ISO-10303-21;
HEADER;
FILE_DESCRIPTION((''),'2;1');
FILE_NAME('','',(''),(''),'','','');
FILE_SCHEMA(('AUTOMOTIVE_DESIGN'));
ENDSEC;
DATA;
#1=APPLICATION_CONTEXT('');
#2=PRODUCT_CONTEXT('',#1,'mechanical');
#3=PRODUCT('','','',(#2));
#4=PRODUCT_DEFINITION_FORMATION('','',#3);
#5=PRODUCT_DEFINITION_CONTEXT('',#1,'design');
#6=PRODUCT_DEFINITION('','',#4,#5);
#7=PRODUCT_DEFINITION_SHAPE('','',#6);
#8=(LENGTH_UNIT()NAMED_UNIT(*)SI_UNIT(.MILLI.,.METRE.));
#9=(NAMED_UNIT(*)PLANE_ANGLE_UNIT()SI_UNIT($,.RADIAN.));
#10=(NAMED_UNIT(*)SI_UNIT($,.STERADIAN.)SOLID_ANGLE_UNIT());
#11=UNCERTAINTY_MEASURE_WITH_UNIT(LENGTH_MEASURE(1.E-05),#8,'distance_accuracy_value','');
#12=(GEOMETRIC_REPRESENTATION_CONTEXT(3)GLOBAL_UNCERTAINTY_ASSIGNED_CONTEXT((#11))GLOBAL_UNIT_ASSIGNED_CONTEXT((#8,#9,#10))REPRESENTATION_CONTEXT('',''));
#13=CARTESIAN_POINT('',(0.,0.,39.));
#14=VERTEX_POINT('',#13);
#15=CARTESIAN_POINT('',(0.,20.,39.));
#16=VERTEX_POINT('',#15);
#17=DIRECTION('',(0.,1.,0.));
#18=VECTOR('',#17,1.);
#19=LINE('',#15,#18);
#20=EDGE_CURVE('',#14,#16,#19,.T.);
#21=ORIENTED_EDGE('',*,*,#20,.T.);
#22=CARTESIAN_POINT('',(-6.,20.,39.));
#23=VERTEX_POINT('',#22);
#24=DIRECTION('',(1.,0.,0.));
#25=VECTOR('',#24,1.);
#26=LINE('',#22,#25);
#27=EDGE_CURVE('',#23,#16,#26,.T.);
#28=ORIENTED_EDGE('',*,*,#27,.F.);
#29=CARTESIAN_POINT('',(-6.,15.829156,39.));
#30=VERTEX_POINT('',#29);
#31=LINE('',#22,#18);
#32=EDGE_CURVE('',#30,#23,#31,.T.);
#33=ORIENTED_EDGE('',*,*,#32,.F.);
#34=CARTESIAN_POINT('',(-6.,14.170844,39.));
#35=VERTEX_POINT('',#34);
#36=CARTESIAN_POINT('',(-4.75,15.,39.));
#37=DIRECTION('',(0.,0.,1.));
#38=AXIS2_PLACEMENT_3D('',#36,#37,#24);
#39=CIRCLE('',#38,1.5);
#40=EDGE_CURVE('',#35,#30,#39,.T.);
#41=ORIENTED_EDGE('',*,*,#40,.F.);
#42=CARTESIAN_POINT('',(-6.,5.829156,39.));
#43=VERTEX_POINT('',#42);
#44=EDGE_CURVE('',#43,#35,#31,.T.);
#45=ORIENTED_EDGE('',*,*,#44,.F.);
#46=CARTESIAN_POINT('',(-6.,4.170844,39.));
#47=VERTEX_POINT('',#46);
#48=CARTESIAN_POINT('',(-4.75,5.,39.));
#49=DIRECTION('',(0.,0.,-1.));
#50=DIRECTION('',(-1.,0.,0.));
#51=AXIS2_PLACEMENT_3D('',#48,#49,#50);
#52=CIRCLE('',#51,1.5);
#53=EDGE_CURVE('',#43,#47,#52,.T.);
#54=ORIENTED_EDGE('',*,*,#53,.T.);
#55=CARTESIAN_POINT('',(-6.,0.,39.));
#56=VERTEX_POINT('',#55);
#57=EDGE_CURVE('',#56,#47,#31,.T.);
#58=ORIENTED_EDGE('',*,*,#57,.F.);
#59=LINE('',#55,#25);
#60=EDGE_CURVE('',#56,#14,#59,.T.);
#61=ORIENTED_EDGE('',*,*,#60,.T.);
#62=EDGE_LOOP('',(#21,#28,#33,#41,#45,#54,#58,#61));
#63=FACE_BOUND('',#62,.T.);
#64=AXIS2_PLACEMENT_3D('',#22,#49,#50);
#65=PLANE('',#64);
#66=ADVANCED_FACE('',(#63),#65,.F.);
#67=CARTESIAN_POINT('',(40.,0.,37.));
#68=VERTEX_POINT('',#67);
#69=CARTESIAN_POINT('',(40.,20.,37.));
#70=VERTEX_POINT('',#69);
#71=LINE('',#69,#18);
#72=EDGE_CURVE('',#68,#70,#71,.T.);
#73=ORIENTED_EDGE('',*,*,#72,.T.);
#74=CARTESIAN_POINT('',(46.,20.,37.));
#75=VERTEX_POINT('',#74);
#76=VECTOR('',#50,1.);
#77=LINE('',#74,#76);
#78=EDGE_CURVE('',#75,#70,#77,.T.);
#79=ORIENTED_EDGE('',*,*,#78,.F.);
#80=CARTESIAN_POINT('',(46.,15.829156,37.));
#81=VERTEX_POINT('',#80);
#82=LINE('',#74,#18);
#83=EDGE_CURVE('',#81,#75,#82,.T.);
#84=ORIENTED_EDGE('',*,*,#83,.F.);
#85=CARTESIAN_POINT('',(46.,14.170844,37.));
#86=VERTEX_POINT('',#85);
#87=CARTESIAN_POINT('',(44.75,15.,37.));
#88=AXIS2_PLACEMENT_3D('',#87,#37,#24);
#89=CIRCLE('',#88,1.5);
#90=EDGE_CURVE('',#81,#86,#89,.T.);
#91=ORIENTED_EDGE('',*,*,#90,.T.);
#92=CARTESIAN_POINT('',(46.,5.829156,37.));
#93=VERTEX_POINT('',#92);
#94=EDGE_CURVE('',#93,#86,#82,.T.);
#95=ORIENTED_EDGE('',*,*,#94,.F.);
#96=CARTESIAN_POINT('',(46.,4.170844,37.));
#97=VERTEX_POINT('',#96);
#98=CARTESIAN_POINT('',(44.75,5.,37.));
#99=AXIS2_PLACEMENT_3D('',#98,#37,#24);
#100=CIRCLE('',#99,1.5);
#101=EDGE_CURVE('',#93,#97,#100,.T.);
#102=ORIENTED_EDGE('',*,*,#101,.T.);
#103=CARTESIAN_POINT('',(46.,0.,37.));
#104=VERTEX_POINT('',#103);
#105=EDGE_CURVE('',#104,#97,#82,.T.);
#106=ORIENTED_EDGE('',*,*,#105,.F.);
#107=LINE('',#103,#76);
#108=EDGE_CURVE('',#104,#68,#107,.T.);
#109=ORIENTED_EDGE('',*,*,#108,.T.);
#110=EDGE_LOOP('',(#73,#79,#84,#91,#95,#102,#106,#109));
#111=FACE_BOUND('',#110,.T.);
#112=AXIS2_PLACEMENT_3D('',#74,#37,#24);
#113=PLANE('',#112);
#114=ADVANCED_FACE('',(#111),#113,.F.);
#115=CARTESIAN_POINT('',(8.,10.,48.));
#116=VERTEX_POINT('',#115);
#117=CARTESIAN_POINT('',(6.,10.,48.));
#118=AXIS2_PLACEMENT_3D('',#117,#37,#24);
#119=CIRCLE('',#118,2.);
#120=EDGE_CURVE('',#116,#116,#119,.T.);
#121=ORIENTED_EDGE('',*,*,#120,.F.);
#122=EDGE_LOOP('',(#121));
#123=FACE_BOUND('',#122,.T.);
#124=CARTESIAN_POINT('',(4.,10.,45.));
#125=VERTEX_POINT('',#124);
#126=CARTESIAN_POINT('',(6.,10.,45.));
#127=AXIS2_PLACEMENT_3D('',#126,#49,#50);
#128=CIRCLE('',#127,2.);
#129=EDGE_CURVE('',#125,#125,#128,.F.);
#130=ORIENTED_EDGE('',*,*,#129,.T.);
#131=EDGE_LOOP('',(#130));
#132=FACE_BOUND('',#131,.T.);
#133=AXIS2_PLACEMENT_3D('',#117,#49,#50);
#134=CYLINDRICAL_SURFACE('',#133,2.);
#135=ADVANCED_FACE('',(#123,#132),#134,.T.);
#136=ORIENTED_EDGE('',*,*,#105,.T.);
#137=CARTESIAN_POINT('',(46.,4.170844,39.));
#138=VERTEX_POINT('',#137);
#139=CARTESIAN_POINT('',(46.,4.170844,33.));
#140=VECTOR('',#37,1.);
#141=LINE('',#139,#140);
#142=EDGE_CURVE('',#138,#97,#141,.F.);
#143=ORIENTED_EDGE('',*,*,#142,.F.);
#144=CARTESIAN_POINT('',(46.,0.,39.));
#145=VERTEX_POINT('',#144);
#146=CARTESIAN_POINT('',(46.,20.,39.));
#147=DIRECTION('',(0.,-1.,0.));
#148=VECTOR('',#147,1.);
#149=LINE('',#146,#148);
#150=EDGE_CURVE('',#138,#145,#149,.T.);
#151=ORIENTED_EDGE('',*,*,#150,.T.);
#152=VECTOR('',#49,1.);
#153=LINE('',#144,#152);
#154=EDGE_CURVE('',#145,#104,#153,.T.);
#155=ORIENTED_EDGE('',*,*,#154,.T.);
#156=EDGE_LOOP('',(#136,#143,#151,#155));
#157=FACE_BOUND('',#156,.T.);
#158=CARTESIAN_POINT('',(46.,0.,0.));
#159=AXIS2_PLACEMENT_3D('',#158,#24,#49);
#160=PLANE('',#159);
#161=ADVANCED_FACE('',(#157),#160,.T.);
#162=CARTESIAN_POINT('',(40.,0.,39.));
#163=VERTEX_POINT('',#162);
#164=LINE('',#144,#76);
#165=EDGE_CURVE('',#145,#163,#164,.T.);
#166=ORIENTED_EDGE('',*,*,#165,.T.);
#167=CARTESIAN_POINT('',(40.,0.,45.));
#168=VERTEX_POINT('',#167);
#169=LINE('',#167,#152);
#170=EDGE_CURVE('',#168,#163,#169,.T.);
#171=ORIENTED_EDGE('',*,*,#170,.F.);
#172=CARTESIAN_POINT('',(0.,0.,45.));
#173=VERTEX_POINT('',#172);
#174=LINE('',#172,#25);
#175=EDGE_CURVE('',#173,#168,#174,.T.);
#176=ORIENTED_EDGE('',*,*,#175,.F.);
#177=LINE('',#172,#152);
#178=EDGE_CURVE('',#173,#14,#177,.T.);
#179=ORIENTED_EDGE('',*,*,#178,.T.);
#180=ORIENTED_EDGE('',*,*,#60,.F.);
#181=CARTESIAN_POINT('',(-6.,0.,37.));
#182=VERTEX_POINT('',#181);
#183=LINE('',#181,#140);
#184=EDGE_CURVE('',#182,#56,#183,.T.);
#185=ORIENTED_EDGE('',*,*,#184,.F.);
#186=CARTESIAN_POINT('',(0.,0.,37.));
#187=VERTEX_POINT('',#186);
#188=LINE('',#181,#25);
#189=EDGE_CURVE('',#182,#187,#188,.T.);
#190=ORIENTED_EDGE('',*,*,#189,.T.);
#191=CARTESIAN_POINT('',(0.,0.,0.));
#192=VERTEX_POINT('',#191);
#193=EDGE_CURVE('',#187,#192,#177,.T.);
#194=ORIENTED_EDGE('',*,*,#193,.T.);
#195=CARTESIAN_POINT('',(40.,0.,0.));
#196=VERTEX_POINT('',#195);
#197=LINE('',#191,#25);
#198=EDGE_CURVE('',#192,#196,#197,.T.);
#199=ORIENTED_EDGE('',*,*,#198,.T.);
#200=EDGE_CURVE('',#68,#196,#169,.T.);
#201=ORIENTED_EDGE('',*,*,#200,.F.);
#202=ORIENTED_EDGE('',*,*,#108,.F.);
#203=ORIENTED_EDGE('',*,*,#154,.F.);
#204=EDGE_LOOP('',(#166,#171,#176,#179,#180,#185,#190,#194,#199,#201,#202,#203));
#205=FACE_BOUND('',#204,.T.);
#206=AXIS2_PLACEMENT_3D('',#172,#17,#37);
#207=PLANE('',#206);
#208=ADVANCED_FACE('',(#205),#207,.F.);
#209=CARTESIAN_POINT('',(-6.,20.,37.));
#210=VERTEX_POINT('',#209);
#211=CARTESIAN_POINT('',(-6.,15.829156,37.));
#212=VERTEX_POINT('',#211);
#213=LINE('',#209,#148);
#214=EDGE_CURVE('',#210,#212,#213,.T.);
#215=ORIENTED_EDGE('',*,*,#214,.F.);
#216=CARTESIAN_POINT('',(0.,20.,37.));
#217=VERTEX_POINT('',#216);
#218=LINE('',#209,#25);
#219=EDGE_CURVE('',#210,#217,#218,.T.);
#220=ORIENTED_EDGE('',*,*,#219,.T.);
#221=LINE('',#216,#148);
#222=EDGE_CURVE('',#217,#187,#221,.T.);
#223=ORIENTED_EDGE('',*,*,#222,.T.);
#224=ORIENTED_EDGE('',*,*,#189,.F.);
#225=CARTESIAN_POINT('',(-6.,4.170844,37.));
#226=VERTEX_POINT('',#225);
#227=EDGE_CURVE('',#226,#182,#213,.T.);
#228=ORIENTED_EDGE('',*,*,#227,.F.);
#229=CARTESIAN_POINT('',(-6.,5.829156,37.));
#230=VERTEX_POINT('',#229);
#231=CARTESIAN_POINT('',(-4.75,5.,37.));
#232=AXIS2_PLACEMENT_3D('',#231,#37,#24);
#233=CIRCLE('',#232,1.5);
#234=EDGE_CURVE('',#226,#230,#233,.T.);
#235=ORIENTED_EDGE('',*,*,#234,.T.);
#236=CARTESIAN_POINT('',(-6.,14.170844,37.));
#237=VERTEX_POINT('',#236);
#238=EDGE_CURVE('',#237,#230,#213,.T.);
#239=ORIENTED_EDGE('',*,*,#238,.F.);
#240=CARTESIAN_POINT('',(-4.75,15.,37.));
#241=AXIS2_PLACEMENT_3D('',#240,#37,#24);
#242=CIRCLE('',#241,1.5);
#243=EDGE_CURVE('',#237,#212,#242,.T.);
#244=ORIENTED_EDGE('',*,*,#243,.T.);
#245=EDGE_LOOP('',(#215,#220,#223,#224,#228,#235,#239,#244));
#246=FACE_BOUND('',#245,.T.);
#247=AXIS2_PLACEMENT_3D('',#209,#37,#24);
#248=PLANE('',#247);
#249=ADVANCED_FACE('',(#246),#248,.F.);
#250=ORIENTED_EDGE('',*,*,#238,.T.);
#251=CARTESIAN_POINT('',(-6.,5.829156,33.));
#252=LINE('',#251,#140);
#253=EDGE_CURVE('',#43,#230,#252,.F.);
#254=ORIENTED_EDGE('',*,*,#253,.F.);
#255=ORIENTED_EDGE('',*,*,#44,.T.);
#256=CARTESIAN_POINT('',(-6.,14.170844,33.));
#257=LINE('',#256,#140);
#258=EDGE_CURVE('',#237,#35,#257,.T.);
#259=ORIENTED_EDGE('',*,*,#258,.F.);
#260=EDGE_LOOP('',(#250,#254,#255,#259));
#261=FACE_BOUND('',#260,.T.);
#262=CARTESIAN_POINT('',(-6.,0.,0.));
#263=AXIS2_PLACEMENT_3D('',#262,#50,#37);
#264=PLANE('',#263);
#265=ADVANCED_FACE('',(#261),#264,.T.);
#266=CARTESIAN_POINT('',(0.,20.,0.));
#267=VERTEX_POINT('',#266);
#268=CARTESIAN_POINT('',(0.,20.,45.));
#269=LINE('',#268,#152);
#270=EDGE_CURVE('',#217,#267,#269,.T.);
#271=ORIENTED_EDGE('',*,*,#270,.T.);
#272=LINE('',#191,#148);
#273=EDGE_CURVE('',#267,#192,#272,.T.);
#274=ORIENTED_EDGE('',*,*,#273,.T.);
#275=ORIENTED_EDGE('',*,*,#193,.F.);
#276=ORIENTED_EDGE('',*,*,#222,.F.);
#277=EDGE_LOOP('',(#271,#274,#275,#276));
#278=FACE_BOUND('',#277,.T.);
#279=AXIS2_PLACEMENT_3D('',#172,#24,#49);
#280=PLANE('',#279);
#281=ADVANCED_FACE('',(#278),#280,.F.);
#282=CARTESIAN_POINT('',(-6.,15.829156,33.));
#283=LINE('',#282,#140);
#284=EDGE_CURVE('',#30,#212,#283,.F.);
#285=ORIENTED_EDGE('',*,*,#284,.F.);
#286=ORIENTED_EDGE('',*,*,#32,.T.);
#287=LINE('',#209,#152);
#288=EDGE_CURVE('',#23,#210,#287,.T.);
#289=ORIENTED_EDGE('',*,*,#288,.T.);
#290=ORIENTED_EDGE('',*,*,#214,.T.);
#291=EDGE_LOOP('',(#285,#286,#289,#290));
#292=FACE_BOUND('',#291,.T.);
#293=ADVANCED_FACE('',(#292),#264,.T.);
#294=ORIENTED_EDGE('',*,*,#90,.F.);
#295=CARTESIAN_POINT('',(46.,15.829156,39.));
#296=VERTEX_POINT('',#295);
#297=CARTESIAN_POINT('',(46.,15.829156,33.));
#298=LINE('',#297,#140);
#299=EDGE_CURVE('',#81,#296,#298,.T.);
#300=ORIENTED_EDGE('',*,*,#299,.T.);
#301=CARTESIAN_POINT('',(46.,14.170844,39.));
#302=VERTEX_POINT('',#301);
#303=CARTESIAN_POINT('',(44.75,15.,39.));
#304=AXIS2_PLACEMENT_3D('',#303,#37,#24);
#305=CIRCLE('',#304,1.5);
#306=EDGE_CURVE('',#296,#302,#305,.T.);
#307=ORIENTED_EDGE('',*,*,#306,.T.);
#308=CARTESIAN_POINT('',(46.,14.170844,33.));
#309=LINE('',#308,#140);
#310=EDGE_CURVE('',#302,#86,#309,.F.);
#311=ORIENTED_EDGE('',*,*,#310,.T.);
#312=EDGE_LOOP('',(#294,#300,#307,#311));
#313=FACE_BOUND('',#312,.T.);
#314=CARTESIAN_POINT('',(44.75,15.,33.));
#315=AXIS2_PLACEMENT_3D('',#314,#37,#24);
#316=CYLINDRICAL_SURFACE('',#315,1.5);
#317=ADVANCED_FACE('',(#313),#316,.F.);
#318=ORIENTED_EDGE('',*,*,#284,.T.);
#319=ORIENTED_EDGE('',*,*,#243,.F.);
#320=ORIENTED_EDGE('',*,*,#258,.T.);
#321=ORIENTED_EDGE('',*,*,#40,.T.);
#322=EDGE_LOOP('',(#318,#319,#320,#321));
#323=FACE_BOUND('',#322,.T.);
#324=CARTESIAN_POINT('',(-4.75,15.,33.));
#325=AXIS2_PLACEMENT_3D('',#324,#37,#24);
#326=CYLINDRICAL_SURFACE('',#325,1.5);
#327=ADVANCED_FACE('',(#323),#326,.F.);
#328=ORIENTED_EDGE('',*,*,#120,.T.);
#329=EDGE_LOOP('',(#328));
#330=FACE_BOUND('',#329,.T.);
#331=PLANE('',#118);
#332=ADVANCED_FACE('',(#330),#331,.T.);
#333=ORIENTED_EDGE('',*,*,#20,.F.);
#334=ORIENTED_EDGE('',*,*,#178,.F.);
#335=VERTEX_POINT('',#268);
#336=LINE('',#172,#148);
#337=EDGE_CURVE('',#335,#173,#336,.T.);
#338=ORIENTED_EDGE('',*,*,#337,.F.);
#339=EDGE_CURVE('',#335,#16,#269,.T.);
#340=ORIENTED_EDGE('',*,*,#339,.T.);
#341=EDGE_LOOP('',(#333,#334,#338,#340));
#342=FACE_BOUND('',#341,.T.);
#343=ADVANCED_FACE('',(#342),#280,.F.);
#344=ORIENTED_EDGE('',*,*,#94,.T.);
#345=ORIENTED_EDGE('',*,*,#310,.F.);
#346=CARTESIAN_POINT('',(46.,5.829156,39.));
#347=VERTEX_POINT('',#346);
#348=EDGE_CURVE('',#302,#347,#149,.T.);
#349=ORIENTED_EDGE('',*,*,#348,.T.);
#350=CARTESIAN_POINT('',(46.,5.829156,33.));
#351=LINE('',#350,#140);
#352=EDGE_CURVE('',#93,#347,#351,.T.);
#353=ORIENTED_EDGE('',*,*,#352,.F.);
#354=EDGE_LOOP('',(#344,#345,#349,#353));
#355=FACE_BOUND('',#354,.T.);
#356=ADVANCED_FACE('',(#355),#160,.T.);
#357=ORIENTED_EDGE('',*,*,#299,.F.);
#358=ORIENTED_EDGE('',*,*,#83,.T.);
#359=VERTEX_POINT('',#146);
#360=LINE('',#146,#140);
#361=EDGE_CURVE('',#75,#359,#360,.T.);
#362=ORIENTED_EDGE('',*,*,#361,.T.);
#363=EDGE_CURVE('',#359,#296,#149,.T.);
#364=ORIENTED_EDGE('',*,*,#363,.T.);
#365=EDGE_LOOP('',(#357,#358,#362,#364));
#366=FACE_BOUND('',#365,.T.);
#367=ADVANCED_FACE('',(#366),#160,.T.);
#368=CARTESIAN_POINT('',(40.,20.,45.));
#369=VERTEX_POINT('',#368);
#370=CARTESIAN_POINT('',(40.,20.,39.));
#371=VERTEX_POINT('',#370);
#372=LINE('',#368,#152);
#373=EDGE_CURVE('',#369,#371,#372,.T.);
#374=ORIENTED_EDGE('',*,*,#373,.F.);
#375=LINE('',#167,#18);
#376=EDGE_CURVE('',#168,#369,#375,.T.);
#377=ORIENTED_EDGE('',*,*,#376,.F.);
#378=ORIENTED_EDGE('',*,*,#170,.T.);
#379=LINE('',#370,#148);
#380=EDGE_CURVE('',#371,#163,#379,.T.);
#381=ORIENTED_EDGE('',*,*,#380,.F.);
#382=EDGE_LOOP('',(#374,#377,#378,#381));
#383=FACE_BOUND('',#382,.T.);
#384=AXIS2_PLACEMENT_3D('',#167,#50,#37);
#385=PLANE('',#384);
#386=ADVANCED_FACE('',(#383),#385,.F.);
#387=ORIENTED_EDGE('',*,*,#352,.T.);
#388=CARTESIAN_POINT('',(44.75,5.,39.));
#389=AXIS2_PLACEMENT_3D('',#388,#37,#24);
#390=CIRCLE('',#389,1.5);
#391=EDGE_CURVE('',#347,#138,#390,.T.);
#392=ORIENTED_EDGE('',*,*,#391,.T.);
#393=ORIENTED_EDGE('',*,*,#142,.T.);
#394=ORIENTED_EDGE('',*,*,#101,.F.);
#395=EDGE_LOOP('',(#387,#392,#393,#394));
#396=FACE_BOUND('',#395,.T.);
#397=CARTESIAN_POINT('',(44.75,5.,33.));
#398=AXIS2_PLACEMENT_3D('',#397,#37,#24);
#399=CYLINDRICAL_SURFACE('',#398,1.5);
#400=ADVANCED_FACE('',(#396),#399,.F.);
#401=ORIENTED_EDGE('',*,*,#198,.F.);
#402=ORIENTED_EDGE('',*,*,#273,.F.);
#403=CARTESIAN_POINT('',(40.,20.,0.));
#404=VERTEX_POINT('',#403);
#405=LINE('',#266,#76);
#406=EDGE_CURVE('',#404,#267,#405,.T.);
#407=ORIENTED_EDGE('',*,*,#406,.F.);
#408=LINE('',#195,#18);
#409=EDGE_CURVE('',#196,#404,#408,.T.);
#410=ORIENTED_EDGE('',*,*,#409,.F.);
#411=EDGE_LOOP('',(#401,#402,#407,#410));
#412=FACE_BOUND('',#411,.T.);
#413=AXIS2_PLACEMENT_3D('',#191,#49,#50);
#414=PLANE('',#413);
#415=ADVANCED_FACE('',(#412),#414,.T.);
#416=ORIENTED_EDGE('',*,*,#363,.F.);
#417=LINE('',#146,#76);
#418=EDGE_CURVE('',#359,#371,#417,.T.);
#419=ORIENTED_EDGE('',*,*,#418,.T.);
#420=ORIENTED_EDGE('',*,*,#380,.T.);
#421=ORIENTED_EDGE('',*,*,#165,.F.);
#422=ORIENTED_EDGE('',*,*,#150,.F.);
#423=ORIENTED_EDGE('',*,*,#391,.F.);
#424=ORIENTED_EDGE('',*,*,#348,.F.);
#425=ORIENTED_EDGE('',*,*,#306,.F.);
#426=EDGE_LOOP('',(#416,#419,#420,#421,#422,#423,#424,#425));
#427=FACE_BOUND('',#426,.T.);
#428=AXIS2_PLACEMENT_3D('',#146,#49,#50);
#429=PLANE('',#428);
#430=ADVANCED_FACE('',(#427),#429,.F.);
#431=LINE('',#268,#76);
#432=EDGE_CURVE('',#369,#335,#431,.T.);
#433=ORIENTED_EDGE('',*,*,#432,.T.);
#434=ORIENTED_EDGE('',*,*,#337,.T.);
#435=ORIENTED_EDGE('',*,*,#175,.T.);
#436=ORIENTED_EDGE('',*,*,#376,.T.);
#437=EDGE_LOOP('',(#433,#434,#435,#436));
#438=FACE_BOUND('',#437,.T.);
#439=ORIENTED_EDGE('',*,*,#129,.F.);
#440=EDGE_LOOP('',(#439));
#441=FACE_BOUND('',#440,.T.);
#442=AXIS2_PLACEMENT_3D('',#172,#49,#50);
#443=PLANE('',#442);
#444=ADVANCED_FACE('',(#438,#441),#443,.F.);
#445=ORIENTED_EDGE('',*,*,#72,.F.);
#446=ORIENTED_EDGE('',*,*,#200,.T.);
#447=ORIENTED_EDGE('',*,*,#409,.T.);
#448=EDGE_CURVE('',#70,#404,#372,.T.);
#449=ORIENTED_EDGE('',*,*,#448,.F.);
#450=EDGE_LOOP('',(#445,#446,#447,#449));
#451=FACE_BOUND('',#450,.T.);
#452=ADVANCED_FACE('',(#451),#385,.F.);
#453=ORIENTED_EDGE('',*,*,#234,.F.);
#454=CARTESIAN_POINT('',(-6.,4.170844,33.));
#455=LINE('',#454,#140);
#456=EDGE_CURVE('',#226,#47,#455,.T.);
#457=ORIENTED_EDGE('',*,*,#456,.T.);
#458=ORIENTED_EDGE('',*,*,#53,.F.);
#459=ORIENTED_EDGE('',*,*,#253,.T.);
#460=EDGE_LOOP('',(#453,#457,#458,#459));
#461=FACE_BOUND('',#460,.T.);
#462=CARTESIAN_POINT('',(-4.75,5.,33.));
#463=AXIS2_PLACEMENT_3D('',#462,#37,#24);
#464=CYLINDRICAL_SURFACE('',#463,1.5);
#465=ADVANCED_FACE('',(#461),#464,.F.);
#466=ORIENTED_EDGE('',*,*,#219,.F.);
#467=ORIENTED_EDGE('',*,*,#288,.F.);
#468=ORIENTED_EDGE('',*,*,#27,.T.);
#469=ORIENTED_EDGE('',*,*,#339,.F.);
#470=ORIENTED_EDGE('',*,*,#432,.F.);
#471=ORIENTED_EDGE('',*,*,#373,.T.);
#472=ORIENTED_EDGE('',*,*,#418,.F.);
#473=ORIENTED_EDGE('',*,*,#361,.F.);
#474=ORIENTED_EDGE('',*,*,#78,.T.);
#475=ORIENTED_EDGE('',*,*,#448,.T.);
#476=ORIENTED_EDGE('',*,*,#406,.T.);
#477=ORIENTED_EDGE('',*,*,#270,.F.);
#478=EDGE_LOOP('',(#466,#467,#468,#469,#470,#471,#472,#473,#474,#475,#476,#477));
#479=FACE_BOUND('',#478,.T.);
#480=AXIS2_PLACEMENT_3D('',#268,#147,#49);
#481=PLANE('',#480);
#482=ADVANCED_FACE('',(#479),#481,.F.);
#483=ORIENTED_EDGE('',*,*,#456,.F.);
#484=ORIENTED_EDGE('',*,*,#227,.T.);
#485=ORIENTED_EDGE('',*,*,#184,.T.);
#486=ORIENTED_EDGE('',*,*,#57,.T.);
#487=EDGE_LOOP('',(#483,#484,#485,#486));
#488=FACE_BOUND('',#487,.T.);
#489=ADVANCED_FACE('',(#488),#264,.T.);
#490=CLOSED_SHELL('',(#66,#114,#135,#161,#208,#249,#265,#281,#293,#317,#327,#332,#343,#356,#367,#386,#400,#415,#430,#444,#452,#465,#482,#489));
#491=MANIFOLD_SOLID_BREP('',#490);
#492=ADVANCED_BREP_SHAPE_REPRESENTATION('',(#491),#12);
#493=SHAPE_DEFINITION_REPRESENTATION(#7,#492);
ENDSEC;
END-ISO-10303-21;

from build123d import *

# Parameters (mm, degrees)
ESQUISSE1_W             = 40
ESQUISSE1_H             = 20
BOSS_EXTRU_1_DEPTH      = 45
ESQUISSE2_R             = 2
BOSS_EXTRU_2_DEPTH      = 3
ESQUISSE3_W             = 2
ESQUISSE3_H             = 20
BOSS_EXTRU_3_DEPTH      = 6
ESQUISSE4_W             = 2
ESQUISSE4_H             = 20
BOSS_EXTRU_4_DEPTH      = 6
ESQUISSE5_R             = 1.5
ENL_V_MAT_EXTRU_1_DEPTH = 6


with BuildPart() as part:
    # Esquisse1 → Boss.-Extru.1 (new body)
    with BuildSketch(Plane.XY):
        with Locations((20, 10)):
            Rectangle(ESQUISSE1_W, ESQUISSE1_H)
    extrude(amount=BOSS_EXTRU_1_DEPTH)

    # Esquisse2 → Boss.-Extru.2 (add)
    with BuildSketch(Plane.XY.offset(45)):
        with Locations(Location((6, 10, 0), (0, 0, 180))):
            Circle(ESQUISSE2_R)
    extrude(amount=BOSS_EXTRU_2_DEPTH)

    # Esquisse3 → Boss.-Extru.3 (add)
    with BuildSketch(Plane.ZY):
        with Locations((38, 10)):
            Rectangle(ESQUISSE3_W, ESQUISSE3_H)
    extrude(amount=BOSS_EXTRU_3_DEPTH)

    # Esquisse4 → Boss.-Extru.4 (add)
    with BuildSketch(Plane(origin=(40, 0, 0), x_dir=(0, 0, -1), z_dir=(1, 0, 0))):
        with Locations((-38, 10)):
            Rectangle(ESQUISSE4_W, ESQUISSE4_H)
    extrude(amount=BOSS_EXTRU_4_DEPTH)

    # Esquisse5 → Enlèv. mat.-Extru.1 (cut)
    with BuildSketch(Plane.XY.offset(39)):
        with Locations((-4.75, 15)):
            Circle(ESQUISSE5_R)
        with Locations((44.75, 15)):
            Circle(ESQUISSE5_R)
        with Locations((44.75, 5)):
            Circle(ESQUISSE5_R)
        with Locations((-4.75, 5)):
            Circle(ESQUISSE5_R)
    extrude(amount=-ENL_V_MAT_EXTRU_1_DEPTH, mode=Mode.SUBTRACT)


solid = part.part
